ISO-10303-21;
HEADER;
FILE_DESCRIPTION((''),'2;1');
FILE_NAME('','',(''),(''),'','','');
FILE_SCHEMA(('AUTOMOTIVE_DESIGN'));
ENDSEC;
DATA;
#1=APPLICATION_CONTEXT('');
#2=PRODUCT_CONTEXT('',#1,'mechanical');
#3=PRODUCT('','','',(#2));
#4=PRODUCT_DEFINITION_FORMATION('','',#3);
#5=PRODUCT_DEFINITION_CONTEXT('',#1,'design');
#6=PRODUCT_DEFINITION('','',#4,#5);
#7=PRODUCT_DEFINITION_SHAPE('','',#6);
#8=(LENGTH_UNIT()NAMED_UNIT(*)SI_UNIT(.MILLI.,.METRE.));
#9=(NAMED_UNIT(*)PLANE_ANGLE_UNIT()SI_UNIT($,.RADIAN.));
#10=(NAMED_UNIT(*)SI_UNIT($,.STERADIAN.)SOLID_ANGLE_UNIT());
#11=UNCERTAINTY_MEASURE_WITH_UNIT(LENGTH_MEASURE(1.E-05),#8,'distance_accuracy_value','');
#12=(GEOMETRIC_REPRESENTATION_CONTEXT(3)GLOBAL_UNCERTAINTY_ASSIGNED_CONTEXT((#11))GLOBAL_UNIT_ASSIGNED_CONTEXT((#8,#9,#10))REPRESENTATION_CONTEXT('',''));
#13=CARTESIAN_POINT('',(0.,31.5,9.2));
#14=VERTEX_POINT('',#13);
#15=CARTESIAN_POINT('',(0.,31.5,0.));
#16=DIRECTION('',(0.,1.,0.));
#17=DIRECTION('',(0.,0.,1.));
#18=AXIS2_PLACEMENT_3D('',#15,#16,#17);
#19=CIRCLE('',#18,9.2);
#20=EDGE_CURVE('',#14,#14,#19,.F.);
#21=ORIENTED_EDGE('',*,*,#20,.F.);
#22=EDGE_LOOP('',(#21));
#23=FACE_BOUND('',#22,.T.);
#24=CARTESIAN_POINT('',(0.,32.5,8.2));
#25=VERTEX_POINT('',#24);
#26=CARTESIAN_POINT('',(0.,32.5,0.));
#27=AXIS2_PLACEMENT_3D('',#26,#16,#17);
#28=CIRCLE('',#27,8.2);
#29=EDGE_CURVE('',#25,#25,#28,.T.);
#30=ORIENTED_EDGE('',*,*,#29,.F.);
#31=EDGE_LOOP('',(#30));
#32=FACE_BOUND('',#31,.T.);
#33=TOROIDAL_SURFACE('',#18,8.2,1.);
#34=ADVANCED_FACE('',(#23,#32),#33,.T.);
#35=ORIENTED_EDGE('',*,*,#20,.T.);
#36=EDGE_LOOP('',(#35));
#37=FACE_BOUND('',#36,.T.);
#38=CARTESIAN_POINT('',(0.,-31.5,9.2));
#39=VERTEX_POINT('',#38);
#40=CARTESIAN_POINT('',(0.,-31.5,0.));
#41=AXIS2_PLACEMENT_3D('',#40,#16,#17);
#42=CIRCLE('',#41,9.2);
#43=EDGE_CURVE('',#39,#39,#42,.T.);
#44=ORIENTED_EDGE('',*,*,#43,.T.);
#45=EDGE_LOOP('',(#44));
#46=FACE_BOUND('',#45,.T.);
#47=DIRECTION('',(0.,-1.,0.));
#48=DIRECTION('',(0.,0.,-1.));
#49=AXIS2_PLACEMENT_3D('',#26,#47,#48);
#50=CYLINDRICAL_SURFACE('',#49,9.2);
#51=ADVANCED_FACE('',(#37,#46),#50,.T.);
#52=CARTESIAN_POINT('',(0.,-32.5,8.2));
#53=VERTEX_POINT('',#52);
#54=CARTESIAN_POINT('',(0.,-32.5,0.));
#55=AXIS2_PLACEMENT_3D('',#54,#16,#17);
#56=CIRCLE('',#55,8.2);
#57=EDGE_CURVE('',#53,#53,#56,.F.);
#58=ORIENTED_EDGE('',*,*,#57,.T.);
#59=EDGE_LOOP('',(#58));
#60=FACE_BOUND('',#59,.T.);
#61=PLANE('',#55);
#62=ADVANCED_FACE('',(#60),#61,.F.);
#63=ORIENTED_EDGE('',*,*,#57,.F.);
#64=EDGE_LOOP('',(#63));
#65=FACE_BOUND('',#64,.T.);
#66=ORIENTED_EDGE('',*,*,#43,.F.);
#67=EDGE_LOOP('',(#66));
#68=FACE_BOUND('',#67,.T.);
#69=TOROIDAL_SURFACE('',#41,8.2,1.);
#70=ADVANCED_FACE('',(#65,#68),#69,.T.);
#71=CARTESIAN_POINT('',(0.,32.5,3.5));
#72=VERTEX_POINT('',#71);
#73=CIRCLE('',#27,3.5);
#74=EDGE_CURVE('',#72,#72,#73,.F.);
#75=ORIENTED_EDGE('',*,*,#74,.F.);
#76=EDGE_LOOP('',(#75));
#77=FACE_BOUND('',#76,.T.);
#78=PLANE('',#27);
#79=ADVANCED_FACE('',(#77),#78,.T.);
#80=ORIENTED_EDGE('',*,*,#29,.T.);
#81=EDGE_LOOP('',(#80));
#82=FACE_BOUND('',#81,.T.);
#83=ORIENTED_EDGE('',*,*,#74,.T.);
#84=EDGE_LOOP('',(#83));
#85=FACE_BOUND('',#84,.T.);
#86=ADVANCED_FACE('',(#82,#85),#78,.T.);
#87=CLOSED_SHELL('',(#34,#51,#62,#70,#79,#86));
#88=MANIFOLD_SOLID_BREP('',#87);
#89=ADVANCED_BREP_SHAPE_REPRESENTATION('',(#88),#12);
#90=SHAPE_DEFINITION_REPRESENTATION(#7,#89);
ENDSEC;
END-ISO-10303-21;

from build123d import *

# Parameters (mm, degrees)
SKETCH1_R           = 9.2
BOSS_EXTRUDE1_DEPTH = 32.5
FILLET1_R           = 1


with BuildPart() as part:
    # Sketch1 → Boss-Extrude1 (new, symmetric)
    with BuildSketch(Plane(origin=(0, 0, 0), x_dir=(1, 0, 0), z_dir=(0, 1, 0))):
        with Locations(Location((0, 0, 0), (0, 0, 270))):
            Circle(SKETCH1_R)
    extrude(amount=BOSS_EXTRUDE1_DEPTH, both=True)

    # Fillet1
    fillet1_edges = [part.edges().sort_by_distance(p)[0] for p in [
        (0, -32.5, -9.2),
        (0, 32.5, -9.2),
    ]]
    fillet(fillet1_edges, radius=FILLET1_R)


solid = part.part
